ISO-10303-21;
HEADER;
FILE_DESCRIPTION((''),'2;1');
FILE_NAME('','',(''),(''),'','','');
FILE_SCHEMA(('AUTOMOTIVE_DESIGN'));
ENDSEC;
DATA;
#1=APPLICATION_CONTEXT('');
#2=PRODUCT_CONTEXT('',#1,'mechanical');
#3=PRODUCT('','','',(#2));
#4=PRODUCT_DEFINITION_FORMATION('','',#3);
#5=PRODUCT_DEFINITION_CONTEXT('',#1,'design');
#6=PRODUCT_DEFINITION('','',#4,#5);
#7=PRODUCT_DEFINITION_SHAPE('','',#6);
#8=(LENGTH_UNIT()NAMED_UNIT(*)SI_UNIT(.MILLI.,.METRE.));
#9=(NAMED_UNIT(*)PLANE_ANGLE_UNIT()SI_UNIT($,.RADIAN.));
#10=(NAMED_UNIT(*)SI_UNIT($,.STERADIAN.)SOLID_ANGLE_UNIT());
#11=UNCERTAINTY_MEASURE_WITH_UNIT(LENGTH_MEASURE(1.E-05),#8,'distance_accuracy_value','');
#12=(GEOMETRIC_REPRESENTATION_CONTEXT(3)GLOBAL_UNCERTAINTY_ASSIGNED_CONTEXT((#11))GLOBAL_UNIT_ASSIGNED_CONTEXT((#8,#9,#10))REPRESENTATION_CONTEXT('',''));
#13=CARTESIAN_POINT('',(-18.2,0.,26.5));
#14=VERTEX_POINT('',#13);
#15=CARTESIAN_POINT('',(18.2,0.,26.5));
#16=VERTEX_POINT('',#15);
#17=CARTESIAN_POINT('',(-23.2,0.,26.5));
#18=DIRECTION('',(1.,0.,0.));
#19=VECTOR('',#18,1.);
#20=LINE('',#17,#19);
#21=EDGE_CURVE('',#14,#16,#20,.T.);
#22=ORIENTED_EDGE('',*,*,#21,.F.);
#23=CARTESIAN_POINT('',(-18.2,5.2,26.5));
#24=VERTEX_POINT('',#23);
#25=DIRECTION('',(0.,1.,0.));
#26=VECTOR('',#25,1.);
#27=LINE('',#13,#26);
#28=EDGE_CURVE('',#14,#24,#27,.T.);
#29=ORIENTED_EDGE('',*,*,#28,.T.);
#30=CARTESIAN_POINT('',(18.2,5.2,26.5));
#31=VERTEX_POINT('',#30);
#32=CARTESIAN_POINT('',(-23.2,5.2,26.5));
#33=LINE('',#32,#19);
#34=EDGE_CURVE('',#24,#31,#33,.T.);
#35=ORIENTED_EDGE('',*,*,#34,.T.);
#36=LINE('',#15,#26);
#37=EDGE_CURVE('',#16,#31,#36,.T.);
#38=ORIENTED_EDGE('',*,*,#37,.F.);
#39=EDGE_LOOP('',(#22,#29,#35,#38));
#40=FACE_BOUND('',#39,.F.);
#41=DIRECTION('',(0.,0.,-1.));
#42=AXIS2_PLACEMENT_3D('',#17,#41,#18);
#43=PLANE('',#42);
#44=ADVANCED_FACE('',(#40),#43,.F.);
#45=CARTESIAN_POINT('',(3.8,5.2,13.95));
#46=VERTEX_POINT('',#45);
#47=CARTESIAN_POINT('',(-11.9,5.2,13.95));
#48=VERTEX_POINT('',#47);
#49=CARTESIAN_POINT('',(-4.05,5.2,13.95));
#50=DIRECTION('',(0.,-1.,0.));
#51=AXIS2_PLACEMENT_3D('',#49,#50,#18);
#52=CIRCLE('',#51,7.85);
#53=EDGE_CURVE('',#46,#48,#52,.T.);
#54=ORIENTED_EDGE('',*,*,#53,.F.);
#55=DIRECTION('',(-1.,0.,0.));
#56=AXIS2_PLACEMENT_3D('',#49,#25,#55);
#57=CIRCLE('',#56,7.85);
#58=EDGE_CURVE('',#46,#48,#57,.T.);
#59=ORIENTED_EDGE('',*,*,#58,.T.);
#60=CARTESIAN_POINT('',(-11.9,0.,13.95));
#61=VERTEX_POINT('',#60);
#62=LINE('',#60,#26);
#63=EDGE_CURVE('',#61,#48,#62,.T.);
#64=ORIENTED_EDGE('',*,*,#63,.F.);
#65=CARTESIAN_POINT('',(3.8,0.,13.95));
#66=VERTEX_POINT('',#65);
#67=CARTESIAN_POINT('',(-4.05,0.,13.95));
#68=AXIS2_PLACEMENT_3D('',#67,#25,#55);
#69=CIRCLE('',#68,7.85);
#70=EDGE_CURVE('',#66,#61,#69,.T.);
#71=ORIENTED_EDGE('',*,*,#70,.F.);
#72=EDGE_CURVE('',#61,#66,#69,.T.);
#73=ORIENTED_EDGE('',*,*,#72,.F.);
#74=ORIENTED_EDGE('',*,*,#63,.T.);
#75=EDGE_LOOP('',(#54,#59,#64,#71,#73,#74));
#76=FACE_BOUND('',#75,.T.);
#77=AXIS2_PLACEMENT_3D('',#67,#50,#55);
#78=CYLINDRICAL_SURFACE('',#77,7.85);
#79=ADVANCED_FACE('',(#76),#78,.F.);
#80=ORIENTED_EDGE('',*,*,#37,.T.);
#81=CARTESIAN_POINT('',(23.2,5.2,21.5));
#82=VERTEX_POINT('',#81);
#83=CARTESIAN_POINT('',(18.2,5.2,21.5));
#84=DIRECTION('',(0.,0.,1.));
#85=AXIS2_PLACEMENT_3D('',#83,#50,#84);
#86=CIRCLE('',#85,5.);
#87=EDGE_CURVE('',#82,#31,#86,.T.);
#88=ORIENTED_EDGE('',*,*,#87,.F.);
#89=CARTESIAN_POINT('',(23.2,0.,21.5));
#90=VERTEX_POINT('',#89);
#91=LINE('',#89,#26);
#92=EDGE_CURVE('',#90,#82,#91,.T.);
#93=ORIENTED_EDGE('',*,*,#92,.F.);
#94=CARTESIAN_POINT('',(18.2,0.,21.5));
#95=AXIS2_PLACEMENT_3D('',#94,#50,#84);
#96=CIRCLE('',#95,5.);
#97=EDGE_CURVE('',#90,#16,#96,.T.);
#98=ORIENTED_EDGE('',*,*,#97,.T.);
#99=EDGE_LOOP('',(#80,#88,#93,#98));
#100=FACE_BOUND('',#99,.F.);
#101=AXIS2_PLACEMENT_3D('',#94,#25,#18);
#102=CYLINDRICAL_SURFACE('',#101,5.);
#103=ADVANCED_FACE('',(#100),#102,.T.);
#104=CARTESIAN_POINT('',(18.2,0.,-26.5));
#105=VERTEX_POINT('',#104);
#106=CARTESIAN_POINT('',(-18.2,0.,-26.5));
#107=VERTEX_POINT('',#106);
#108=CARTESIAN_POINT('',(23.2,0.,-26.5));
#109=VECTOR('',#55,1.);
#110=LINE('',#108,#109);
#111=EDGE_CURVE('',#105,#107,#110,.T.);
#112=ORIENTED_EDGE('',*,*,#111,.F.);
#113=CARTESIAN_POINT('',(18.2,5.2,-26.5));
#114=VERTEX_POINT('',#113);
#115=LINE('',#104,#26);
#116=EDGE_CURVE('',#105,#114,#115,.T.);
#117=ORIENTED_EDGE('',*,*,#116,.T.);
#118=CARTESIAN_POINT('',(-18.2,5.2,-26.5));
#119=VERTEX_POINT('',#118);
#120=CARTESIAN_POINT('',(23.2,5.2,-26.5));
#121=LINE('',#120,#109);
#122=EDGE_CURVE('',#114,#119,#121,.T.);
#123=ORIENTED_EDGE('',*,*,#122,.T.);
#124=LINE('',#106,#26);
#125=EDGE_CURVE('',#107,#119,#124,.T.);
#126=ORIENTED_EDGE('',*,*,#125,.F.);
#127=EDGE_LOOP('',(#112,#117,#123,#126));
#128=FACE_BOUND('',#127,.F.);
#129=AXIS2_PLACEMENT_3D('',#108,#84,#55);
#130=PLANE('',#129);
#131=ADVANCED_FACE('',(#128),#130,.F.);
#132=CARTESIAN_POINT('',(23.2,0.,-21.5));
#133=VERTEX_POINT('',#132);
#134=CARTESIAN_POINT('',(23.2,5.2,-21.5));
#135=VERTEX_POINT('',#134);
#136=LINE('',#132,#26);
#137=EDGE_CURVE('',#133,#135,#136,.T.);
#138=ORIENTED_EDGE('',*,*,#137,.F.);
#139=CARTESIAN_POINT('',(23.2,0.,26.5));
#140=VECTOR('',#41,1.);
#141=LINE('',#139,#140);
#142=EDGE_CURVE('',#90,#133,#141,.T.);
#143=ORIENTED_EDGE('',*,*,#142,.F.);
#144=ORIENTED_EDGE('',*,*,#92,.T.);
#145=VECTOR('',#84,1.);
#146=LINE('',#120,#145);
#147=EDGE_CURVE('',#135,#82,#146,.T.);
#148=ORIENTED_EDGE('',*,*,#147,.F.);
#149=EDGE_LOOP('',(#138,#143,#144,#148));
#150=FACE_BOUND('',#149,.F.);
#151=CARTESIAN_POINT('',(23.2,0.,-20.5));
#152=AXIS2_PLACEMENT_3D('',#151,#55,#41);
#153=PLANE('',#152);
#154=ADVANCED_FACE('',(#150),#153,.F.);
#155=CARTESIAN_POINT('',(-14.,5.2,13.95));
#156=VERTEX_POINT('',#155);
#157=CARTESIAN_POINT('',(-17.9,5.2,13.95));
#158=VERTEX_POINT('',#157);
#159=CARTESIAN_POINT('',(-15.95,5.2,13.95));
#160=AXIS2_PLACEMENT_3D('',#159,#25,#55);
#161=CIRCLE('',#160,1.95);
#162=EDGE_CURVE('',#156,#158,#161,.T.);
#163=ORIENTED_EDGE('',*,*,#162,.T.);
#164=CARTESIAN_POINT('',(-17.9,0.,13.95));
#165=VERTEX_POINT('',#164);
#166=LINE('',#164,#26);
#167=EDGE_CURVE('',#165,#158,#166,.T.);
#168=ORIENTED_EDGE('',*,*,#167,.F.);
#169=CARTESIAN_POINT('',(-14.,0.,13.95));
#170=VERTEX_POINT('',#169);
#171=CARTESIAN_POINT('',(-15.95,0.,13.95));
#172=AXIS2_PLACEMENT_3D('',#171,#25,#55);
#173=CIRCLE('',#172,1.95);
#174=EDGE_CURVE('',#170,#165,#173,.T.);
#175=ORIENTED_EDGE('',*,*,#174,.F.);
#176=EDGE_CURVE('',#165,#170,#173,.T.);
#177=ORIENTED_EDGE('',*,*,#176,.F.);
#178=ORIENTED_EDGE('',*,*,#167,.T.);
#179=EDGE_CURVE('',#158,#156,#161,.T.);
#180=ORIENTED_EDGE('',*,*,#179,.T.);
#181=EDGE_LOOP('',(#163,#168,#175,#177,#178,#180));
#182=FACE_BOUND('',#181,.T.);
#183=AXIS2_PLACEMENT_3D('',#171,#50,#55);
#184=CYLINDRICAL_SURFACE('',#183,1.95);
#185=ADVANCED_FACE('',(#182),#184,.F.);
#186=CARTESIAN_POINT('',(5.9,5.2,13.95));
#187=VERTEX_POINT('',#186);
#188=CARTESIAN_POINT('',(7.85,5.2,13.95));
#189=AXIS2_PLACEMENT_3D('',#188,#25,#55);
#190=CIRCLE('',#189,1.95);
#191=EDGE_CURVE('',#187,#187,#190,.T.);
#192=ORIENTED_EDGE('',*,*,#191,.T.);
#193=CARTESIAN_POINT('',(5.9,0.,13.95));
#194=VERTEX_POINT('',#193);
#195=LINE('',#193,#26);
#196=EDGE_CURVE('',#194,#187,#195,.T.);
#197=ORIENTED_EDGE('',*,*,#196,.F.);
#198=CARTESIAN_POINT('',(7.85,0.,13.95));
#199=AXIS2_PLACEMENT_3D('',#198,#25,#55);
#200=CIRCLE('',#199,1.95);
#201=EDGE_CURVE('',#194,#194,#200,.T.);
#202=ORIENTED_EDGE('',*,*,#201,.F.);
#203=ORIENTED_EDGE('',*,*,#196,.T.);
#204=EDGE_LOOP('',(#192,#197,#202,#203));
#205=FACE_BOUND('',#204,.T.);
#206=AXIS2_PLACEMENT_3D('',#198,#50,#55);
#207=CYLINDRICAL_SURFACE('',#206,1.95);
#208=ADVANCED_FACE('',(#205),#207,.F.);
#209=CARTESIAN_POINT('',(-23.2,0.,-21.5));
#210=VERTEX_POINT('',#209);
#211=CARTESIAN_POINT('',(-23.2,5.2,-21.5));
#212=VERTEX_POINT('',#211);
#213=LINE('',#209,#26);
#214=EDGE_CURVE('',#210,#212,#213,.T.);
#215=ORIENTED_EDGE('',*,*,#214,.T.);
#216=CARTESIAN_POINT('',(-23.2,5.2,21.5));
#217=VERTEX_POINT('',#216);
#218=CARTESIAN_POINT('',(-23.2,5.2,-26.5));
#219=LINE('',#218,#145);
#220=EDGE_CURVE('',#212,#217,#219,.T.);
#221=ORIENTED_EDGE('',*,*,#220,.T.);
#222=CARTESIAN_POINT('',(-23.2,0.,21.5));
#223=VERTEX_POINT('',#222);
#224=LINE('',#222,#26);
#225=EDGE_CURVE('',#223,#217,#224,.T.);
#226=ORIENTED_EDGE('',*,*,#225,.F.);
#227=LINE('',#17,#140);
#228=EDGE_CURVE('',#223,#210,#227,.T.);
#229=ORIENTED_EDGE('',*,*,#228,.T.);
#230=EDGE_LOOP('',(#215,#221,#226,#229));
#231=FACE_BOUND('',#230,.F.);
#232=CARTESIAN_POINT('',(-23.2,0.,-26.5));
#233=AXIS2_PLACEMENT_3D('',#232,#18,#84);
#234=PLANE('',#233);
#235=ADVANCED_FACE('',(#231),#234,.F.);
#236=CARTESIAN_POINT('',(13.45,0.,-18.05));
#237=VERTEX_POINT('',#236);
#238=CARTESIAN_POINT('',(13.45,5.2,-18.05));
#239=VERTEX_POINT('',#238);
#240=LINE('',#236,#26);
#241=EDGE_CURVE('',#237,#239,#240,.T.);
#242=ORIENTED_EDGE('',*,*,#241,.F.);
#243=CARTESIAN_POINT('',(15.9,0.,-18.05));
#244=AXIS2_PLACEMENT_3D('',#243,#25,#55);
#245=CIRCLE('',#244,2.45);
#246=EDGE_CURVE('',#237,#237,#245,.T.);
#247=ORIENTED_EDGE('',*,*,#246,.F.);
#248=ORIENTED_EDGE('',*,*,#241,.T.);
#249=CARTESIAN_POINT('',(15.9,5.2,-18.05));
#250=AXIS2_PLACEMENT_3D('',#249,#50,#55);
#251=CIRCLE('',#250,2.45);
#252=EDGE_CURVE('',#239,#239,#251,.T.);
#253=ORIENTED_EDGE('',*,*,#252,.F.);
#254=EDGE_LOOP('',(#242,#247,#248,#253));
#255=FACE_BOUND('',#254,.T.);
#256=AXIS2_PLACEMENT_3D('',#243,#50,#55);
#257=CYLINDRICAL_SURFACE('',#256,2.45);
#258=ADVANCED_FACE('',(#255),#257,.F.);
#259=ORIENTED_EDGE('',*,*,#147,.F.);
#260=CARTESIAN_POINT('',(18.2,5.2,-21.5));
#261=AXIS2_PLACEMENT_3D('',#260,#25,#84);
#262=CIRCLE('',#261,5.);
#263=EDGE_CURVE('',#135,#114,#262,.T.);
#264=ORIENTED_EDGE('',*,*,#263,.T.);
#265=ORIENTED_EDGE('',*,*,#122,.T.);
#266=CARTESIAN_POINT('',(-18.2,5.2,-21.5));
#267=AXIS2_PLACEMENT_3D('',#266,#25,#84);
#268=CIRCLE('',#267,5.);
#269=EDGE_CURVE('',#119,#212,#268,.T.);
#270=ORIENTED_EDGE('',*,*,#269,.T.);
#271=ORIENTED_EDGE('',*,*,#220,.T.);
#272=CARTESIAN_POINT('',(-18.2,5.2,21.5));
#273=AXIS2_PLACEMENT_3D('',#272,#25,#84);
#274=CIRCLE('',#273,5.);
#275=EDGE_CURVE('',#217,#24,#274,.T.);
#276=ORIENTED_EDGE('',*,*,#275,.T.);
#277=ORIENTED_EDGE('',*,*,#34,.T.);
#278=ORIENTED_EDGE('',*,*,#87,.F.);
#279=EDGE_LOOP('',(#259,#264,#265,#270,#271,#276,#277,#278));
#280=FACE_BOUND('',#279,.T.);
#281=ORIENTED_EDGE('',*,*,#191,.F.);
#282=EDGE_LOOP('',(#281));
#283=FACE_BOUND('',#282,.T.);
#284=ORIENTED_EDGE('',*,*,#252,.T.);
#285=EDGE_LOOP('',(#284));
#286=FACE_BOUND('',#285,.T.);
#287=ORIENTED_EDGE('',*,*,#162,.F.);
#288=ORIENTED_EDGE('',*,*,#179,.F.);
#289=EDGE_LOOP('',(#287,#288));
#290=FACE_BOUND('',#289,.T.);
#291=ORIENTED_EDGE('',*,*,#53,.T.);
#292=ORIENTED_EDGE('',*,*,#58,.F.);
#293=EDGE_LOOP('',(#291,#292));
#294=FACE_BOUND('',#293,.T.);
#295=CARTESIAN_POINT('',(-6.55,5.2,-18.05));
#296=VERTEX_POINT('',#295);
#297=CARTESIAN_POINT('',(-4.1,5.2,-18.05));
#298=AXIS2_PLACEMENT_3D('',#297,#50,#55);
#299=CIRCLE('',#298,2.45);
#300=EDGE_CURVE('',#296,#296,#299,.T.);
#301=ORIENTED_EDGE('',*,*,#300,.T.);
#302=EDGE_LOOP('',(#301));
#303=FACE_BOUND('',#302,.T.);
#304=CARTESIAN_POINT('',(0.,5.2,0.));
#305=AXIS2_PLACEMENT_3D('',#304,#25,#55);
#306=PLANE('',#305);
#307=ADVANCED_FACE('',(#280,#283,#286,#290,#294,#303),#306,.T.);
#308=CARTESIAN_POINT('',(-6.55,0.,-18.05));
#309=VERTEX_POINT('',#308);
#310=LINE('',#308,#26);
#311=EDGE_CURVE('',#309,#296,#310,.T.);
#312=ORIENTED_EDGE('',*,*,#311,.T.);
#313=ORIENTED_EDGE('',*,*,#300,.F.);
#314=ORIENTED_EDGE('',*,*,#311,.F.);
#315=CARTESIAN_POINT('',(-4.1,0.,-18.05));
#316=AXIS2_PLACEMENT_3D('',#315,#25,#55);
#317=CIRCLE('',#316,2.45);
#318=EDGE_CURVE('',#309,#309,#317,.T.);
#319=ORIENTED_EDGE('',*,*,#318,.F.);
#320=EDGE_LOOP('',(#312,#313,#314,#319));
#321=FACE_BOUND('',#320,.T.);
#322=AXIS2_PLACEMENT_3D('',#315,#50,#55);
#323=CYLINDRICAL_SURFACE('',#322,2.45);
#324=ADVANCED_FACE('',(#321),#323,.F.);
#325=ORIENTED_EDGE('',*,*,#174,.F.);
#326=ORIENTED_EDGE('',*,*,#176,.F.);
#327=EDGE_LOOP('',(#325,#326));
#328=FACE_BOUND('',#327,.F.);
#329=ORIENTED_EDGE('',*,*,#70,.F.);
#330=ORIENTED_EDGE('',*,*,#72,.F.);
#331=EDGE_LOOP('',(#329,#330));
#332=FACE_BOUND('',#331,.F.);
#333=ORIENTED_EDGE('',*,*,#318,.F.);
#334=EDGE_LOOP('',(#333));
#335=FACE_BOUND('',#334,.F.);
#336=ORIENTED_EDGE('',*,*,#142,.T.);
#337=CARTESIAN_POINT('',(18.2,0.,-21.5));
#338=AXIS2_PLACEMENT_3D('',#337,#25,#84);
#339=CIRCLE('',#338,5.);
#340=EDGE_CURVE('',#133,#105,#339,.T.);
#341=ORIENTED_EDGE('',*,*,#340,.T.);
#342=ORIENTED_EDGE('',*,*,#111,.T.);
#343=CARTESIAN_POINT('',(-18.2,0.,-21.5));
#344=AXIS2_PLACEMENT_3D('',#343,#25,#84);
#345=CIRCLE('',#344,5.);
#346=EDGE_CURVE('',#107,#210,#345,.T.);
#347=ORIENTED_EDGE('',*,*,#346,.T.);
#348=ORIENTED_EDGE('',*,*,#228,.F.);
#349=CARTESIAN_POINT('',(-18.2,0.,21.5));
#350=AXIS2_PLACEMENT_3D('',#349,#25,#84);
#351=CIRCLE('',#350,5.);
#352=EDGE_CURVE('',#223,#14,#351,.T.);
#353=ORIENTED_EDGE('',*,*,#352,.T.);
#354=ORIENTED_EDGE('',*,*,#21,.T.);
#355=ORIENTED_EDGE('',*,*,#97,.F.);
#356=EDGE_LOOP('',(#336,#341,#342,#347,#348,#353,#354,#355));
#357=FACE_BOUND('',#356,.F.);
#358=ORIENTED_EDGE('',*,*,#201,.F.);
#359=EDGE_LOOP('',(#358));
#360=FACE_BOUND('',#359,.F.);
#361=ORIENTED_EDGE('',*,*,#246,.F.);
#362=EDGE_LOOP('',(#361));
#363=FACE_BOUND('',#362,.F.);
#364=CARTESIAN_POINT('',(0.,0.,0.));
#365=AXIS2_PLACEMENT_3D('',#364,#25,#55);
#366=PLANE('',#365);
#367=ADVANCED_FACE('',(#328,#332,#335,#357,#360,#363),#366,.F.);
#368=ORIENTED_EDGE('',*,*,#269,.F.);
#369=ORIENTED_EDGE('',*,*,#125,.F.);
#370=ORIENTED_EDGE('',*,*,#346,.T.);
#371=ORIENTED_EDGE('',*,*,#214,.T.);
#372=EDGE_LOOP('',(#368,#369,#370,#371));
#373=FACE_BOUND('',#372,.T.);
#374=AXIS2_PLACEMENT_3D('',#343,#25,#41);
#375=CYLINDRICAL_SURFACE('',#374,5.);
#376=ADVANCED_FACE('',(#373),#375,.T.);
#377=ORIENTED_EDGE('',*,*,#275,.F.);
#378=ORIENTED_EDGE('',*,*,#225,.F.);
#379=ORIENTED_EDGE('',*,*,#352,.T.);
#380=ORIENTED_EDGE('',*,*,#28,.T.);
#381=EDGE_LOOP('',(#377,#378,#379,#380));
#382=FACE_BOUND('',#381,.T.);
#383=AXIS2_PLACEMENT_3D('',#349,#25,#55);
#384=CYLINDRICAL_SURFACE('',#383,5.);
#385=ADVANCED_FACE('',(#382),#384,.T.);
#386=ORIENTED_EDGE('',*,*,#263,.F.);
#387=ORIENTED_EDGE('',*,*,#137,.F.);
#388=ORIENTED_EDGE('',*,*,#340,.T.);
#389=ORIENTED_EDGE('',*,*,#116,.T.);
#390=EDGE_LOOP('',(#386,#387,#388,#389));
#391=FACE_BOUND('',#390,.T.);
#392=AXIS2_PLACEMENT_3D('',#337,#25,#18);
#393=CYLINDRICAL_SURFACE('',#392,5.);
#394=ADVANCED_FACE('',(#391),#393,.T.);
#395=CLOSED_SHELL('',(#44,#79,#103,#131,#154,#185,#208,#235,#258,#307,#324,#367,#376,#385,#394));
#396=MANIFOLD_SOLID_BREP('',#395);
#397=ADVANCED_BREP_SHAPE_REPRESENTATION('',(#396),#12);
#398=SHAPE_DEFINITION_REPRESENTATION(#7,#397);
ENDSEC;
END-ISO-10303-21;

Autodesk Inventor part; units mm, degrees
ref_plane "YZ Plane" through (0, 0, 0) normal (1, 0, 0) x (0, 1, 0)
ref_plane "XZ Plane" through (0, 0, 0) normal (0, 1, 0) x (-1, 0, 0)
ref_plane "XY Plane" through (0, 0, 0) normal (0, 0, 1) x (1, 0, 0)
sketch "Boceto1" plane through (0, 0, 0) normal (0, 1, 0) x (-1, 0, 0)
  line L0 (-23.2, -26.5) -> (23.2, -26.5)
  line L1 (23.2, -26.5) -> (23.2, 26.5)
  line L2 (23.2, 26.5) -> (-23.2, 26.5)
  line L3 (-23.2, 26.5) -> (-23.2, -26.5)
  line L4 (-23.2, -26.5) -> (23.2, 26.5) construction
  line L5 (23.2, -26.5) -> (-23.2, 26.5) construction
  line L6 (23.2, 26.5) -> (23.2, 21.8)
  line L7 (23.2, 21.8) -> (-23.2, 21.8)
  line L8 (23.2, 21.8) -> (11.9, 21.8)
  line L9 (11.9, 21.8) -> (11.9, 0)
  circle A0 centre (4.05, 13.95) radius 7.85
  line L10 (11.9, 13.95) -> (14, 13.95)
  line L11 (14, 13.95) -> (15.95, 13.95)
  circle A1 centre (15.95, 13.95) radius 1.95
  line L12 (-3.8, 13.95) -> (-5.9, 13.95)
  line L13 (-5.9, 13.95) -> (-7.85, 13.95)
  circle A2 centre (-7.85, 13.95) radius 1.95
  line L14 (23.2, -26.5) -> (23.2, -20.5)
  line L15 (23.2, -20.5) -> (-23.2, -20.5)
  line L16 (23.2, -20.5) -> (6.55, -20.5)
  line L17 (6.55, -20.5) -> (1.65, -20.5)
  line L18 (4.1, -20.5) -> (4.1, -18.05)
  circle A3 centre (4.1, -18.05) radius 2.45
  line L19 (1.65, -18.05) -> (-13.45, -18.05)
  line L20 (-13.45, -18.05) -> (-15.9, -18.05)
  circle A4 centre (-15.9, -18.05) radius 2.45
  point P0 (0, 0)
  point P1 (4.05, 21.8)
  dimension "d0" = 46.4
  dimension "d1" = 53
  dimension "d2" = 4.7
  dimension "d3" = 11.3
  dimension "d4" = 15.7
  dimension "d5" = 2.1
  dimension "d6" = 1.95
  dimension "d7" = 2.1
  dimension "d8" = 1.95
  dimension "d9" = 6
  dimension "d10" = 16.65
  dimension "d11" = 4.9
  dimension "d12" = 2.45
  dimension "d13" = 15.1
  dimension "d14" = 2.45
extrude "Extrusión1" add sketch "Boceto1" along normal blind 5.2 contours L3 L15 L1 L0 | L3 L7 A0 L9 L1 L15 A3 L19 A4 | L3 L2 L1 L7 | A4 L19 A3 L15 | L7 L9 A0
fillet "Empalme1" radius 5 4 edges at (-23.2, 2.6, 26.5) (-23.2, 2.6, -26.5) (23.2, 2.6, -26.5) (23.2, 2.6, 26.5)
properties part number "soporte eje z"
